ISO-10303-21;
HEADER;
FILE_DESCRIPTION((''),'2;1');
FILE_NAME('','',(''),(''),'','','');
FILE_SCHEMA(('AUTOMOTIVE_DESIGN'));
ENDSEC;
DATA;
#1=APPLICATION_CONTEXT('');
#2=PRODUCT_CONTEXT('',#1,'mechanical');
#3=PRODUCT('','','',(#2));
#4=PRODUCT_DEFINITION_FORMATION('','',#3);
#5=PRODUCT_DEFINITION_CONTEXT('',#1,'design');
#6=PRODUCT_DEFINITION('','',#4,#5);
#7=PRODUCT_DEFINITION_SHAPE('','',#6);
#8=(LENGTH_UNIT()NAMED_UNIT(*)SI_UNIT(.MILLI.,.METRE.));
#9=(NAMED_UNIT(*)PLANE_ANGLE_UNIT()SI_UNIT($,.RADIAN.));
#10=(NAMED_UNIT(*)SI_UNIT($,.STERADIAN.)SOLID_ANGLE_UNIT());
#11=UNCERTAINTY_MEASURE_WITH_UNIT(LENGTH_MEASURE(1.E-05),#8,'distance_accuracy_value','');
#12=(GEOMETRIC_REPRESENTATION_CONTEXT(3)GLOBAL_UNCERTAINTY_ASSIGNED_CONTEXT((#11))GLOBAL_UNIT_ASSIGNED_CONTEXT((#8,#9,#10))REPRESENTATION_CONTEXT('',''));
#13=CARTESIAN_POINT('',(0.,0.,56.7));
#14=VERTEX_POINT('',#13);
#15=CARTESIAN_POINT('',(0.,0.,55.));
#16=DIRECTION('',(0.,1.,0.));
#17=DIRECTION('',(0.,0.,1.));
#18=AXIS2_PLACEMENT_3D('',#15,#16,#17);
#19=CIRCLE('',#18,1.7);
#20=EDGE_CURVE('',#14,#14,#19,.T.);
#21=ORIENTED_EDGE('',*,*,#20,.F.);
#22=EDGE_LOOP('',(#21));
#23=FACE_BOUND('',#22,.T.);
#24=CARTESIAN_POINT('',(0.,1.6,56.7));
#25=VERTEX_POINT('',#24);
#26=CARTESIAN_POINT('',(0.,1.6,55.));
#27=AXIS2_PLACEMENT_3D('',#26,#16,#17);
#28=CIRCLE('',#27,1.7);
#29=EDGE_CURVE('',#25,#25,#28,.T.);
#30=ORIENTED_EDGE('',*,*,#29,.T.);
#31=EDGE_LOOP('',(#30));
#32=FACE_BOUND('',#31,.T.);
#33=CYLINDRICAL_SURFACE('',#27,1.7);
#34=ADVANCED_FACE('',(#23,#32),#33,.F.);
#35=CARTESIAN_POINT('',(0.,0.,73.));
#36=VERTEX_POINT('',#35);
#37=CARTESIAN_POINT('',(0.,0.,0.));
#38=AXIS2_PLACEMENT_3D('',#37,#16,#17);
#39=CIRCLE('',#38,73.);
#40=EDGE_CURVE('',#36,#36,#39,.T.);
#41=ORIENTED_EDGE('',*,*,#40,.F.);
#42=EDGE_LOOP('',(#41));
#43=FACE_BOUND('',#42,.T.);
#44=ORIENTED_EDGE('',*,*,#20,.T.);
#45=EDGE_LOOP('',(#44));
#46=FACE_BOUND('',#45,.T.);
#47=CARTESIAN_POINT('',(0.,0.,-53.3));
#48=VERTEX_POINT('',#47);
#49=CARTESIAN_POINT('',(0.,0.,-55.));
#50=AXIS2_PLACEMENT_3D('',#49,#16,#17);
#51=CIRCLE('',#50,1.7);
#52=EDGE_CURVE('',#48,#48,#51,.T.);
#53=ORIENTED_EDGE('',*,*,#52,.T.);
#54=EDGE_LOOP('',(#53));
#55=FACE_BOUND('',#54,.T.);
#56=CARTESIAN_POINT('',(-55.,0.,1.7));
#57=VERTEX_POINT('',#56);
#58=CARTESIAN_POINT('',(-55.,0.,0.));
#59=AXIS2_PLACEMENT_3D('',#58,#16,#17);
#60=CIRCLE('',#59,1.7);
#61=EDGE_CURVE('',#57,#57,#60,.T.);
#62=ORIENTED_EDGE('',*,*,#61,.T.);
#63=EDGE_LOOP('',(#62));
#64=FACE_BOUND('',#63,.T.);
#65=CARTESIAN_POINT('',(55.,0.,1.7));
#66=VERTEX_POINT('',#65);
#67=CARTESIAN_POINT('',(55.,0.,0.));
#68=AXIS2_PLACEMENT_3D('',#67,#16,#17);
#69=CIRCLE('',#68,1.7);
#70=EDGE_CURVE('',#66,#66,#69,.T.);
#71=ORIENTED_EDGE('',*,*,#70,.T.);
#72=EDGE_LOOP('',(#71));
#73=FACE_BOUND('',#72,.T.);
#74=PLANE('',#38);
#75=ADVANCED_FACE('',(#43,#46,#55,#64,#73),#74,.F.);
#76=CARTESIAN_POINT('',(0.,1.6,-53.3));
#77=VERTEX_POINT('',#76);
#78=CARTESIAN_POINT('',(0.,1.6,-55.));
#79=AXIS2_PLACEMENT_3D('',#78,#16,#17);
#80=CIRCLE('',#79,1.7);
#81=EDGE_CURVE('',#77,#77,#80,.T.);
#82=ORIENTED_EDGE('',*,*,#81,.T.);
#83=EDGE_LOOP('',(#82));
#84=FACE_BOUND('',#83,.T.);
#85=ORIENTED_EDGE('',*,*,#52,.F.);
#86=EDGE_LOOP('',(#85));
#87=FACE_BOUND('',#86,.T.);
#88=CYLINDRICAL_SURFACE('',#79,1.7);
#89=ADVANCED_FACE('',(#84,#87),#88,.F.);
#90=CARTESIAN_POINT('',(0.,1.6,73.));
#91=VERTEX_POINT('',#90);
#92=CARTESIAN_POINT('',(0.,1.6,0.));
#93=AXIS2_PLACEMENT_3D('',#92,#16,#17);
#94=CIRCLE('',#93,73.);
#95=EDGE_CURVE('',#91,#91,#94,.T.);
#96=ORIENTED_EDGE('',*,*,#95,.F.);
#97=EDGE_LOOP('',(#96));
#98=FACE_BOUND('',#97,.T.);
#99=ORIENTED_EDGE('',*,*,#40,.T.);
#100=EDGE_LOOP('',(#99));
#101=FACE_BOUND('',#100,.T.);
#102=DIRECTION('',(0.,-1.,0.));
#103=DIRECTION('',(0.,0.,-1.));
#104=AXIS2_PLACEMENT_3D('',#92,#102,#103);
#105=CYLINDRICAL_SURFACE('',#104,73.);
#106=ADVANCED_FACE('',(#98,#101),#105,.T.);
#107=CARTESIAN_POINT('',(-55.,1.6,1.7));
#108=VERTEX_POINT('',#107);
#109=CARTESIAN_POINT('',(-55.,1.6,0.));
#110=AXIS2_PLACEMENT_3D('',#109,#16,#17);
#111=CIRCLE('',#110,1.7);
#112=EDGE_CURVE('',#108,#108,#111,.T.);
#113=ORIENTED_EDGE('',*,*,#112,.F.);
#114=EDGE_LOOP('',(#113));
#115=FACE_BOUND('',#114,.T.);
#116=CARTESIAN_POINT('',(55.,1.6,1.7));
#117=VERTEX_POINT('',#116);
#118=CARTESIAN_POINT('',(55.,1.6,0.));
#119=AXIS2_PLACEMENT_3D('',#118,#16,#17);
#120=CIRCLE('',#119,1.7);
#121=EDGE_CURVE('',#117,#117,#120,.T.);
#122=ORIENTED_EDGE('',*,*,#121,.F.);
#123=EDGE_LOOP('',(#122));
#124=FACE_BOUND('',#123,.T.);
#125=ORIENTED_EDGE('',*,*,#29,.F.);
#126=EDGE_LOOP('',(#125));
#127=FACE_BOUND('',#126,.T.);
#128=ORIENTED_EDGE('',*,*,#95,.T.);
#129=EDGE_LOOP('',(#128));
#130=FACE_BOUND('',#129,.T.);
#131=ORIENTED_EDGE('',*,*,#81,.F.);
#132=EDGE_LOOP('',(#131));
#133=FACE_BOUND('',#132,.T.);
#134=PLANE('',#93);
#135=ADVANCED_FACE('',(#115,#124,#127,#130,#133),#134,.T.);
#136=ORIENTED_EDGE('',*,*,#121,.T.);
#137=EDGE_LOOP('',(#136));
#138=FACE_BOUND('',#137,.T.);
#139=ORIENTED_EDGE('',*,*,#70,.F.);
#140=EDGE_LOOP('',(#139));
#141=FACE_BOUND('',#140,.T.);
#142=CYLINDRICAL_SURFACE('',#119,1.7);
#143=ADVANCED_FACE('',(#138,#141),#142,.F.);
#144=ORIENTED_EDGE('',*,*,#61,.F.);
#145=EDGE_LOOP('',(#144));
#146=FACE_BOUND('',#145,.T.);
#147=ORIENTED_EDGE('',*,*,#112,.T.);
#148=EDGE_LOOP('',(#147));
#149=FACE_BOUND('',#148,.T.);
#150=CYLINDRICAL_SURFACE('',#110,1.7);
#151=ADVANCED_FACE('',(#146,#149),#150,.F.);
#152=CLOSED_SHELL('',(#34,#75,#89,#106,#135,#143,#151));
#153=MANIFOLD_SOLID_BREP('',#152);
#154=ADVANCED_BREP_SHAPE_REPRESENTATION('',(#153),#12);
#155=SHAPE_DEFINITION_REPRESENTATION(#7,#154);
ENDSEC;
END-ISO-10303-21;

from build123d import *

# Parameters (mm, degrees)
BOSS_EXTRUDE1_DEPTH  = 1.6
M3_CLEARANCE_HOLE1_D = 3.4


with BuildPart() as part:
    # Sketch1 → Boss-Extrude1 (new body)
    with BuildSketch(Plane(origin=(0, 0, 0), x_dir=(1, 0, 0), z_dir=(0, 1, 0))):
        with BuildLine():
            ThreePointArc((-65, 33.226495452), (-73, 0), (-65, -33.226495452))
            ThreePointArc((-65, -33.226495452), (-51.618795027, -51.618795027), (-33.226495452, -65))
            ThreePointArc((-33.226495452, -65), (0, -73), (33.226495452, -65))
            ThreePointArc((33.226495452, -65), (51.618795027, -51.618795027), (65, -33.226495452))
            ThreePointArc((65, -33.226495452), (70.971825396, -17.088007491), (73, 0))
            ThreePointArc((73, 0), (70.971825396, 17.088007491), (65, 33.226495452))
            ThreePointArc((65, 33.226495452), (51.618795027, 51.618795027), (33.226495452, 65))
            ThreePointArc((33.226495452, 65), (0, 73), (-33.226495452, 65))
            ThreePointArc((-33.226495452, 65), (-51.618795027, 51.618795027), (-65, 33.226495452))
        make_face()
    extrude(amount=BOSS_EXTRUDE1_DEPTH)

    # M3 Clearance Hole1 (through all)
    with Locations(Plane(origin=(0, 1.6, 0), x_dir=(1, 0, 0), z_dir=(0, 1, 0))):
        with Locations((0, 55), (55, 0), (-55, 0), (0, -55)):
            Hole(M3_CLEARANCE_HOLE1_D / 2)


solid = part.part
